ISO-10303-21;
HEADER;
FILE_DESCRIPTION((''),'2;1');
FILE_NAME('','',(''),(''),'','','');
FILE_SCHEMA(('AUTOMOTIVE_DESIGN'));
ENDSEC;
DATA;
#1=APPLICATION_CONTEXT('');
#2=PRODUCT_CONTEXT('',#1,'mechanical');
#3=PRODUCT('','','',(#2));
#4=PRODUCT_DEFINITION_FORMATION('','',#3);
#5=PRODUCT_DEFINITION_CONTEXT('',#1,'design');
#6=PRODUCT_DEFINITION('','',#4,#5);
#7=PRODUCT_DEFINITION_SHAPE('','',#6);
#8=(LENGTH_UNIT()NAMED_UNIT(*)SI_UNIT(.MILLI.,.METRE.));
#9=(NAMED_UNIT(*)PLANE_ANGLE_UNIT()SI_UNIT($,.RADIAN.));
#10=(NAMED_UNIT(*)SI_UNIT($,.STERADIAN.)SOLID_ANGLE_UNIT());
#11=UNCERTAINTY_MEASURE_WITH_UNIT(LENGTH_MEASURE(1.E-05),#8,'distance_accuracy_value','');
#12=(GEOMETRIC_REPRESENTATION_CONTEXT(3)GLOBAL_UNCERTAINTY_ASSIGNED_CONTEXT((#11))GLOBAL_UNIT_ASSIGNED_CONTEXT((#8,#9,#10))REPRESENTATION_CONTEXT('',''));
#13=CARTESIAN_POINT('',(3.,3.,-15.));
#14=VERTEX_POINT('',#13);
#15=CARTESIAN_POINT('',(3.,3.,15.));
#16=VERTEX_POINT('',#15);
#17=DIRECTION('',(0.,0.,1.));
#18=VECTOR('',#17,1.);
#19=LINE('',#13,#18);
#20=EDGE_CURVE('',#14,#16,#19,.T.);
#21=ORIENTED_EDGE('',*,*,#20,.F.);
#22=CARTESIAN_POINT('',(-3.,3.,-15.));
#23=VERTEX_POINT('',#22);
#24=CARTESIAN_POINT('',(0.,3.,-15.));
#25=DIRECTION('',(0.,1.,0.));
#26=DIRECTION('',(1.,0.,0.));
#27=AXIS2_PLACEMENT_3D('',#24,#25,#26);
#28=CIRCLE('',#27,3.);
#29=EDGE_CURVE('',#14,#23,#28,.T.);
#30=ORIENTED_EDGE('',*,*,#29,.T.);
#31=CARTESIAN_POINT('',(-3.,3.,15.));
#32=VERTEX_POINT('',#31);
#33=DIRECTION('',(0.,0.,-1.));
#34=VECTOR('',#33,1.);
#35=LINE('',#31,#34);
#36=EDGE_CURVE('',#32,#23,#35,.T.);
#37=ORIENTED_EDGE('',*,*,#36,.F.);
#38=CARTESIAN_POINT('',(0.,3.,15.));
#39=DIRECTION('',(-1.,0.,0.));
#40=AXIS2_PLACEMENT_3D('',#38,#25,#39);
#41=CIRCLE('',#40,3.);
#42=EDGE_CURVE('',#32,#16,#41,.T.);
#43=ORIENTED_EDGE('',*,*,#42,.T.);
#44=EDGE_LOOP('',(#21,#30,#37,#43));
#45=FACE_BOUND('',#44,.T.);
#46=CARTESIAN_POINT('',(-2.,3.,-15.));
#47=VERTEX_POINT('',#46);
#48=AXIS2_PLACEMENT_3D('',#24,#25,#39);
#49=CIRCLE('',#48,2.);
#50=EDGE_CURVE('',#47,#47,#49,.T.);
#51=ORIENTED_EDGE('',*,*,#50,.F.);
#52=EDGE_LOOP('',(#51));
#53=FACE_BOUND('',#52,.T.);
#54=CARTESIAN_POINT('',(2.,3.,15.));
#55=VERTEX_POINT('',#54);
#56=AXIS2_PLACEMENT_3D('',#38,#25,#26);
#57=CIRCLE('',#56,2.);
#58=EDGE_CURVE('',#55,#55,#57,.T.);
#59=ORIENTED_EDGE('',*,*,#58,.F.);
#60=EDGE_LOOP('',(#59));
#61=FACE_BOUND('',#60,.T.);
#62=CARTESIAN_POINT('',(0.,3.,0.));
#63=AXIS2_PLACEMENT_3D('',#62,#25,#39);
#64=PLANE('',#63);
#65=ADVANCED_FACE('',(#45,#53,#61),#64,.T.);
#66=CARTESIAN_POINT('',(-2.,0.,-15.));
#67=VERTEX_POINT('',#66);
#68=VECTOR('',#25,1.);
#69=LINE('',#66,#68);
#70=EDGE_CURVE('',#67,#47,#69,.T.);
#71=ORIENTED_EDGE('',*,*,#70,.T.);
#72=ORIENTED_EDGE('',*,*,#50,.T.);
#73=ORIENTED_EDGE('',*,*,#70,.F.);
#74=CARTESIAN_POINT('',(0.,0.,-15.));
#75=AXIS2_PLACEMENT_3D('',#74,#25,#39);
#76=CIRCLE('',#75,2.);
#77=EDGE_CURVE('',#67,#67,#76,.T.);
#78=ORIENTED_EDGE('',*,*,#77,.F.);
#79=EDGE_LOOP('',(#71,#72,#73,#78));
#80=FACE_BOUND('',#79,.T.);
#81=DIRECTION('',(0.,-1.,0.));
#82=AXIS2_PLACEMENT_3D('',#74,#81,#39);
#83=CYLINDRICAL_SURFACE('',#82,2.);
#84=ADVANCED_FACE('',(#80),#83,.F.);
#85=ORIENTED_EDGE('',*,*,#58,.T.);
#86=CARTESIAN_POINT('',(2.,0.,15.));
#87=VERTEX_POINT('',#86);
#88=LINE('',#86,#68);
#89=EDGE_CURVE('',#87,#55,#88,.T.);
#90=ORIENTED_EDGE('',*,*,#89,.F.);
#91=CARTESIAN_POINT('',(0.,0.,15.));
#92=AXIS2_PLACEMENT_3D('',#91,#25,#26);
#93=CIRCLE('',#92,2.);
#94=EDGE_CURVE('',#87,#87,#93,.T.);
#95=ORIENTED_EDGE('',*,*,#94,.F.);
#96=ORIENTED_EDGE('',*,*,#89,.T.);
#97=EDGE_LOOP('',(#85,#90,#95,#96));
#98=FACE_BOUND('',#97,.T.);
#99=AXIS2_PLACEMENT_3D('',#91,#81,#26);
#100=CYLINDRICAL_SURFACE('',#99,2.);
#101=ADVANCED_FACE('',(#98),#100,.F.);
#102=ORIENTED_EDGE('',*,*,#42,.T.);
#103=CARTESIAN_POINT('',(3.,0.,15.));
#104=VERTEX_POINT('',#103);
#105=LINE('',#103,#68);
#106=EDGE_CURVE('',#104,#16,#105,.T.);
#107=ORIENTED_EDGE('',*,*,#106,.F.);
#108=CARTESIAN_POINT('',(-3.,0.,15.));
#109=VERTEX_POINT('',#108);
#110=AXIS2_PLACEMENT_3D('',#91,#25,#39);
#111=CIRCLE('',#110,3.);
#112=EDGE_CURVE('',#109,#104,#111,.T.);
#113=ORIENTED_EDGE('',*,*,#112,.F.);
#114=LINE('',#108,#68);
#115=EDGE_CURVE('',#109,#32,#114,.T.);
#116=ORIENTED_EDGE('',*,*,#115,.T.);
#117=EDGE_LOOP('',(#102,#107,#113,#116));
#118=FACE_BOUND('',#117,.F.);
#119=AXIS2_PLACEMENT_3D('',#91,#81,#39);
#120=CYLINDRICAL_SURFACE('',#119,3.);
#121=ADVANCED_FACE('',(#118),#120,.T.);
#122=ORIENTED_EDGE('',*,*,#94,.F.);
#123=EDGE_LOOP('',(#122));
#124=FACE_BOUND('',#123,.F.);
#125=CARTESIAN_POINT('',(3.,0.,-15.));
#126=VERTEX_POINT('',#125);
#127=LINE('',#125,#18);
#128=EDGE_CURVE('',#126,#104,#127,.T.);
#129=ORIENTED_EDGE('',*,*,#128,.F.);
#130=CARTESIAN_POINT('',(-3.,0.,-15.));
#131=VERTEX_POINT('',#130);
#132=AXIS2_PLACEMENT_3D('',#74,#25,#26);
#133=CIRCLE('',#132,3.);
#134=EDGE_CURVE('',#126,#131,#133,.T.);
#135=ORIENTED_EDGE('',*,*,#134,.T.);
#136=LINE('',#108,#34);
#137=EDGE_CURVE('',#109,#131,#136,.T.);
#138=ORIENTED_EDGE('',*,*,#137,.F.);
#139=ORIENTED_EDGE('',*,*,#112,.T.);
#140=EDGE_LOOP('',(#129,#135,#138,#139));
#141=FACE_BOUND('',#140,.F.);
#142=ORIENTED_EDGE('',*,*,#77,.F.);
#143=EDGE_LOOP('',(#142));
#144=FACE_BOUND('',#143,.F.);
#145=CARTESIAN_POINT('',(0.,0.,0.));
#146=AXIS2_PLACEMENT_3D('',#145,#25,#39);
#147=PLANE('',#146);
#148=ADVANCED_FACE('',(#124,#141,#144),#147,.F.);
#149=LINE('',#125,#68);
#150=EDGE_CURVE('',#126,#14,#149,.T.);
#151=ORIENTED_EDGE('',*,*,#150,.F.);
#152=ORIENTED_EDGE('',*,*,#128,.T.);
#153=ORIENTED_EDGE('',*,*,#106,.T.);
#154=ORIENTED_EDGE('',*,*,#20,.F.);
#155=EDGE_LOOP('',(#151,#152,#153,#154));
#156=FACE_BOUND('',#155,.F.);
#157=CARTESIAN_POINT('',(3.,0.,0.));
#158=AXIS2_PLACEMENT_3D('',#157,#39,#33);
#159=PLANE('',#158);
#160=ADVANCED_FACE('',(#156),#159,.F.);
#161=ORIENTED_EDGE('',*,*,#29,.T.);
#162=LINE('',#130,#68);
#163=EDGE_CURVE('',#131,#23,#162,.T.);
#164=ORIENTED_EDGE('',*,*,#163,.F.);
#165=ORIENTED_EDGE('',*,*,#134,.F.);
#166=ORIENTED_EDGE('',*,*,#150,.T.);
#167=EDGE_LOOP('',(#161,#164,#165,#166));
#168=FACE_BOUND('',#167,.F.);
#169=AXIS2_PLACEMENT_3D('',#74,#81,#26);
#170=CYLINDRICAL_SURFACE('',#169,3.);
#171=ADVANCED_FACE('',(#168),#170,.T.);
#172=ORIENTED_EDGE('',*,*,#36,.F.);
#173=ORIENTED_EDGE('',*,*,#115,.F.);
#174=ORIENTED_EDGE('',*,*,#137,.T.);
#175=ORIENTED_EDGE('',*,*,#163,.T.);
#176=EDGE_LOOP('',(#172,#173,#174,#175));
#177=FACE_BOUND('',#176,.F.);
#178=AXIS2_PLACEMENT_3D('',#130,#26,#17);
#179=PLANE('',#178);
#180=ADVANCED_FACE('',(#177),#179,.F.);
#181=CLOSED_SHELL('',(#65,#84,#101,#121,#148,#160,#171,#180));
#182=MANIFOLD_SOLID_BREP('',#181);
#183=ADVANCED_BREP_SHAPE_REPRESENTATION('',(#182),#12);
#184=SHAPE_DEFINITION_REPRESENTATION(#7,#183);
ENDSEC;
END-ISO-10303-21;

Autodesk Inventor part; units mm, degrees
ref_plane "YZ Plane" through (0, 0, 0) normal (1, 0, 0) x (0, 1, 0)
ref_plane "XZ Plane" through (0, 0, 0) normal (0, 1, 0) x (-1, 0, 0)
ref_plane "XY Plane" through (0, 0, 0) normal (0, 0, 1) x (1, 0, 0)
sketch "Эскиз1" plane through (0, 0, 0) normal (0, 1, 0) x (-1, 0, 0)
  line L0 (0, 0) -> (0, -15) construction
  line L1 (-3, 0) -> (-3, -15)
  line L2 (3, -15) -> (3, 0)
  arc A0 (3, 0) -> (-3, 0) centre (0, 0) ccw
  arc A1 (-3, -15) -> (3, -15) centre (0, -15) ccw
  circle A2 centre (0, -15) radius 2
  point P0 (0, -7.5)
  dimension "d0" = 15
  dimension "d1" = 6
  dimension "d2" = 4
extrude "Выдавливание1" add sketch "Эскиз1" along normal blind 3
pattern_circular "Круговой массив1" count 2 over 360 about axis through (0, 0, 0) along (0, 1, 0) of "Выдавливание1"
properties part number "000.704 - Тяга"
